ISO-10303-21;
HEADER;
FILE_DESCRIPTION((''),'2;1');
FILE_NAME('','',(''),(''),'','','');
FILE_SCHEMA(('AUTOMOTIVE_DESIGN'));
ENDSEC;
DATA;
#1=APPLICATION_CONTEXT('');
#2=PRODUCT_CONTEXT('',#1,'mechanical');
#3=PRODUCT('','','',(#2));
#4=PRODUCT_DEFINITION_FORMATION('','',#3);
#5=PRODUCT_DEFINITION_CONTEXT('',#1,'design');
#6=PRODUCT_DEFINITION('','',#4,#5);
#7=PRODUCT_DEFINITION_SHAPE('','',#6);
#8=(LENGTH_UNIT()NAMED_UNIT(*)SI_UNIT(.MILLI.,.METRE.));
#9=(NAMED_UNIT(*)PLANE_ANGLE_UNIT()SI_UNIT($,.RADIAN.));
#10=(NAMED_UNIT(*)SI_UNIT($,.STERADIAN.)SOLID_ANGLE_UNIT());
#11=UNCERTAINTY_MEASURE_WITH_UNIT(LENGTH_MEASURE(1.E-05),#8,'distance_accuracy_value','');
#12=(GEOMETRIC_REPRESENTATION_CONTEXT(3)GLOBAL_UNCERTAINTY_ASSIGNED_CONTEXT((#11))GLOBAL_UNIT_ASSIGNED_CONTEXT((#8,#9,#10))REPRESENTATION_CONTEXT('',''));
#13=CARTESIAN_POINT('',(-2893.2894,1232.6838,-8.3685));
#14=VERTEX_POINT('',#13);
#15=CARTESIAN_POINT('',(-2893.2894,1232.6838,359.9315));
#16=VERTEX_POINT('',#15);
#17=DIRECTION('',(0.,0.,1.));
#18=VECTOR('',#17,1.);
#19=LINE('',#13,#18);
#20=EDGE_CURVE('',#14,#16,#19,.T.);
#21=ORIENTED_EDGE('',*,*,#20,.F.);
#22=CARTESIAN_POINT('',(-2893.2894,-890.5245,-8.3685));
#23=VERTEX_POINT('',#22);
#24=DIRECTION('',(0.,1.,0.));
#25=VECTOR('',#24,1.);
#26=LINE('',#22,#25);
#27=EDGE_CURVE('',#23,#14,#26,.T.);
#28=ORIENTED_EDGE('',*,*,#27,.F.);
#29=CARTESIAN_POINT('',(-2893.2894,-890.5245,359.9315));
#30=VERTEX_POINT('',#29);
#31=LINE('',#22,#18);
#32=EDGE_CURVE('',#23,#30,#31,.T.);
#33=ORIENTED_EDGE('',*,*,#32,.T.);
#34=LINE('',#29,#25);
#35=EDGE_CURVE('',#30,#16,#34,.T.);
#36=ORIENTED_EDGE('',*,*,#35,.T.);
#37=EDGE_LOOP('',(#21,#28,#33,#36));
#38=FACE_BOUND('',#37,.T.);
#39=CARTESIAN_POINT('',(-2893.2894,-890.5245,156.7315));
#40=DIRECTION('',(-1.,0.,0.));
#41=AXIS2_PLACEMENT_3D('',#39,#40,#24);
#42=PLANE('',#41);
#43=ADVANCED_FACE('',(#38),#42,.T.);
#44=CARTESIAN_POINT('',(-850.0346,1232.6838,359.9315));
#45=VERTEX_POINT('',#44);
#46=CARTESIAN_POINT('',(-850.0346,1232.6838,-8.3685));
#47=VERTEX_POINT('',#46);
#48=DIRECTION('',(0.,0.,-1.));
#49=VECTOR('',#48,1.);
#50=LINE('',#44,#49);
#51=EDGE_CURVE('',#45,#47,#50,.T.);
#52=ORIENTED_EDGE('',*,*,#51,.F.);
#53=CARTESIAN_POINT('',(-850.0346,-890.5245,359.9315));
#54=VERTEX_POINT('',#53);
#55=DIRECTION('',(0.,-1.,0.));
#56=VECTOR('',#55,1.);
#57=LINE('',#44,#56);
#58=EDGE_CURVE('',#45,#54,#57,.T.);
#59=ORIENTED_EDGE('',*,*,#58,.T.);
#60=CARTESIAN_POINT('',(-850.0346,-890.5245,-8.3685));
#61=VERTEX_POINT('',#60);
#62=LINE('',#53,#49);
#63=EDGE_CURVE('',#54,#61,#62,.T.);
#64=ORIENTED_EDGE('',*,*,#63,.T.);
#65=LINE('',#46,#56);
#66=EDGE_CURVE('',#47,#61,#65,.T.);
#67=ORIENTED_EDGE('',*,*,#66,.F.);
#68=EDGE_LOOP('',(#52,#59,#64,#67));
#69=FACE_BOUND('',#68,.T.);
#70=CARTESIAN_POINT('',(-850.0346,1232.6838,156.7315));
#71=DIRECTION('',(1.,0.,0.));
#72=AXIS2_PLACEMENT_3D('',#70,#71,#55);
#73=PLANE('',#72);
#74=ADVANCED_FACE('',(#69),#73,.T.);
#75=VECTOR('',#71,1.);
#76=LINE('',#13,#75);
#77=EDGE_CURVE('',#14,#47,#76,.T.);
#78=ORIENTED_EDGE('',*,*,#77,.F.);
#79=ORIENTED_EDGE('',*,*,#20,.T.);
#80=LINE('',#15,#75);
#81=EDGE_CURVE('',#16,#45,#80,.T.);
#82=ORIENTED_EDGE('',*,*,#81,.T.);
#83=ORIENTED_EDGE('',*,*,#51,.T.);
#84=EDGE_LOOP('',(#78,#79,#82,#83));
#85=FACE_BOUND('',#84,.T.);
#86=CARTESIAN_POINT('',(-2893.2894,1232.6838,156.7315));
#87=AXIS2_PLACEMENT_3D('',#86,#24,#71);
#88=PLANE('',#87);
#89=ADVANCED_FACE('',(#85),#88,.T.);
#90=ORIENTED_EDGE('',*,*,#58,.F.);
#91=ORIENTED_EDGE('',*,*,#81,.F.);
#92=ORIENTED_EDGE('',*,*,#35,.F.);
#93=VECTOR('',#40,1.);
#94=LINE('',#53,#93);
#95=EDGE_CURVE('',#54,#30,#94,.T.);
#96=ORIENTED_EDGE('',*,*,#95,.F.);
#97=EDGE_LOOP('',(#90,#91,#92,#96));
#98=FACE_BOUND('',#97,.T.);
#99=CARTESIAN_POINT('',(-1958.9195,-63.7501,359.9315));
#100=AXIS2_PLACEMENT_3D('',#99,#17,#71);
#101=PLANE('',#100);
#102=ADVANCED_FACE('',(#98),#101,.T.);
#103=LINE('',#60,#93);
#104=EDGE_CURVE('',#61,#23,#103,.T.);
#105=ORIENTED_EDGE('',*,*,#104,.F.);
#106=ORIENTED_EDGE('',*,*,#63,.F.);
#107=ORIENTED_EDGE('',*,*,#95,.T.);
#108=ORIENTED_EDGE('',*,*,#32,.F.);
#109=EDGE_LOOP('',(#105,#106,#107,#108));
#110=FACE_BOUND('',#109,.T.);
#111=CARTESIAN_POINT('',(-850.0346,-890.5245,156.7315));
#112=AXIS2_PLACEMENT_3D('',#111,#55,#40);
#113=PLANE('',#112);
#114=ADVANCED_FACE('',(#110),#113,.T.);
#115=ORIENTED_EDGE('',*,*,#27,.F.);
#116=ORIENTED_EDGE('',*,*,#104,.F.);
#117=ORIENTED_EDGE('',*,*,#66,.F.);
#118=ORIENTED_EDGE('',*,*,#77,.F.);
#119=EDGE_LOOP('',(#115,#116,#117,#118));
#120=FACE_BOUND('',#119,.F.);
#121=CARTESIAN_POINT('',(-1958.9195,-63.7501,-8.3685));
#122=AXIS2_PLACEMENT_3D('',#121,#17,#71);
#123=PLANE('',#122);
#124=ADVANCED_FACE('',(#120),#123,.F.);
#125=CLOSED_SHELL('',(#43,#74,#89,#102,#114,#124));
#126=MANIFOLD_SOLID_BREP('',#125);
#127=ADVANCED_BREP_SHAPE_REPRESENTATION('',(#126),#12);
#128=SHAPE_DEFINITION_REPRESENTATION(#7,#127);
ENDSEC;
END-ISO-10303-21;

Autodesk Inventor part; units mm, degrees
ref_plane "YZ Plane" through (0, 0, 0) normal (1, 0, 0) x (0, 1, 0)
ref_plane "XZ Plane" through (0, 0, 0) normal (0, 1, 0) x (-1, 0, 0)
ref_plane "XY Plane" through (0, 0, 0) normal (0, 0, 1) x (1, 0, 0)
sketch "Sketch1" plane through (-1958.9195, -63.7501, 156.7315) normal (0, 0, 1) x (1, 0, 0)
  line L0 (-934.3699, 1296.4339) -> (1108.8849, 1296.4339)
  line L1 (1108.8849, 1296.4339) -> (1108.8849, -826.7744)
  line L2 (1108.8849, -826.7744) -> (-934.3699, -826.7744)
  line L3 (-934.3699, -826.7744) -> (-934.3699, 1296.4339)
  point P0 (1958.9195, 63.7501)
extrude "Extrusion1" add sketch "Sketch1" along normal blind 203.2 and the other way blind 165.1
properties part number "LpmsB2_moldes_inventor_mesh"
